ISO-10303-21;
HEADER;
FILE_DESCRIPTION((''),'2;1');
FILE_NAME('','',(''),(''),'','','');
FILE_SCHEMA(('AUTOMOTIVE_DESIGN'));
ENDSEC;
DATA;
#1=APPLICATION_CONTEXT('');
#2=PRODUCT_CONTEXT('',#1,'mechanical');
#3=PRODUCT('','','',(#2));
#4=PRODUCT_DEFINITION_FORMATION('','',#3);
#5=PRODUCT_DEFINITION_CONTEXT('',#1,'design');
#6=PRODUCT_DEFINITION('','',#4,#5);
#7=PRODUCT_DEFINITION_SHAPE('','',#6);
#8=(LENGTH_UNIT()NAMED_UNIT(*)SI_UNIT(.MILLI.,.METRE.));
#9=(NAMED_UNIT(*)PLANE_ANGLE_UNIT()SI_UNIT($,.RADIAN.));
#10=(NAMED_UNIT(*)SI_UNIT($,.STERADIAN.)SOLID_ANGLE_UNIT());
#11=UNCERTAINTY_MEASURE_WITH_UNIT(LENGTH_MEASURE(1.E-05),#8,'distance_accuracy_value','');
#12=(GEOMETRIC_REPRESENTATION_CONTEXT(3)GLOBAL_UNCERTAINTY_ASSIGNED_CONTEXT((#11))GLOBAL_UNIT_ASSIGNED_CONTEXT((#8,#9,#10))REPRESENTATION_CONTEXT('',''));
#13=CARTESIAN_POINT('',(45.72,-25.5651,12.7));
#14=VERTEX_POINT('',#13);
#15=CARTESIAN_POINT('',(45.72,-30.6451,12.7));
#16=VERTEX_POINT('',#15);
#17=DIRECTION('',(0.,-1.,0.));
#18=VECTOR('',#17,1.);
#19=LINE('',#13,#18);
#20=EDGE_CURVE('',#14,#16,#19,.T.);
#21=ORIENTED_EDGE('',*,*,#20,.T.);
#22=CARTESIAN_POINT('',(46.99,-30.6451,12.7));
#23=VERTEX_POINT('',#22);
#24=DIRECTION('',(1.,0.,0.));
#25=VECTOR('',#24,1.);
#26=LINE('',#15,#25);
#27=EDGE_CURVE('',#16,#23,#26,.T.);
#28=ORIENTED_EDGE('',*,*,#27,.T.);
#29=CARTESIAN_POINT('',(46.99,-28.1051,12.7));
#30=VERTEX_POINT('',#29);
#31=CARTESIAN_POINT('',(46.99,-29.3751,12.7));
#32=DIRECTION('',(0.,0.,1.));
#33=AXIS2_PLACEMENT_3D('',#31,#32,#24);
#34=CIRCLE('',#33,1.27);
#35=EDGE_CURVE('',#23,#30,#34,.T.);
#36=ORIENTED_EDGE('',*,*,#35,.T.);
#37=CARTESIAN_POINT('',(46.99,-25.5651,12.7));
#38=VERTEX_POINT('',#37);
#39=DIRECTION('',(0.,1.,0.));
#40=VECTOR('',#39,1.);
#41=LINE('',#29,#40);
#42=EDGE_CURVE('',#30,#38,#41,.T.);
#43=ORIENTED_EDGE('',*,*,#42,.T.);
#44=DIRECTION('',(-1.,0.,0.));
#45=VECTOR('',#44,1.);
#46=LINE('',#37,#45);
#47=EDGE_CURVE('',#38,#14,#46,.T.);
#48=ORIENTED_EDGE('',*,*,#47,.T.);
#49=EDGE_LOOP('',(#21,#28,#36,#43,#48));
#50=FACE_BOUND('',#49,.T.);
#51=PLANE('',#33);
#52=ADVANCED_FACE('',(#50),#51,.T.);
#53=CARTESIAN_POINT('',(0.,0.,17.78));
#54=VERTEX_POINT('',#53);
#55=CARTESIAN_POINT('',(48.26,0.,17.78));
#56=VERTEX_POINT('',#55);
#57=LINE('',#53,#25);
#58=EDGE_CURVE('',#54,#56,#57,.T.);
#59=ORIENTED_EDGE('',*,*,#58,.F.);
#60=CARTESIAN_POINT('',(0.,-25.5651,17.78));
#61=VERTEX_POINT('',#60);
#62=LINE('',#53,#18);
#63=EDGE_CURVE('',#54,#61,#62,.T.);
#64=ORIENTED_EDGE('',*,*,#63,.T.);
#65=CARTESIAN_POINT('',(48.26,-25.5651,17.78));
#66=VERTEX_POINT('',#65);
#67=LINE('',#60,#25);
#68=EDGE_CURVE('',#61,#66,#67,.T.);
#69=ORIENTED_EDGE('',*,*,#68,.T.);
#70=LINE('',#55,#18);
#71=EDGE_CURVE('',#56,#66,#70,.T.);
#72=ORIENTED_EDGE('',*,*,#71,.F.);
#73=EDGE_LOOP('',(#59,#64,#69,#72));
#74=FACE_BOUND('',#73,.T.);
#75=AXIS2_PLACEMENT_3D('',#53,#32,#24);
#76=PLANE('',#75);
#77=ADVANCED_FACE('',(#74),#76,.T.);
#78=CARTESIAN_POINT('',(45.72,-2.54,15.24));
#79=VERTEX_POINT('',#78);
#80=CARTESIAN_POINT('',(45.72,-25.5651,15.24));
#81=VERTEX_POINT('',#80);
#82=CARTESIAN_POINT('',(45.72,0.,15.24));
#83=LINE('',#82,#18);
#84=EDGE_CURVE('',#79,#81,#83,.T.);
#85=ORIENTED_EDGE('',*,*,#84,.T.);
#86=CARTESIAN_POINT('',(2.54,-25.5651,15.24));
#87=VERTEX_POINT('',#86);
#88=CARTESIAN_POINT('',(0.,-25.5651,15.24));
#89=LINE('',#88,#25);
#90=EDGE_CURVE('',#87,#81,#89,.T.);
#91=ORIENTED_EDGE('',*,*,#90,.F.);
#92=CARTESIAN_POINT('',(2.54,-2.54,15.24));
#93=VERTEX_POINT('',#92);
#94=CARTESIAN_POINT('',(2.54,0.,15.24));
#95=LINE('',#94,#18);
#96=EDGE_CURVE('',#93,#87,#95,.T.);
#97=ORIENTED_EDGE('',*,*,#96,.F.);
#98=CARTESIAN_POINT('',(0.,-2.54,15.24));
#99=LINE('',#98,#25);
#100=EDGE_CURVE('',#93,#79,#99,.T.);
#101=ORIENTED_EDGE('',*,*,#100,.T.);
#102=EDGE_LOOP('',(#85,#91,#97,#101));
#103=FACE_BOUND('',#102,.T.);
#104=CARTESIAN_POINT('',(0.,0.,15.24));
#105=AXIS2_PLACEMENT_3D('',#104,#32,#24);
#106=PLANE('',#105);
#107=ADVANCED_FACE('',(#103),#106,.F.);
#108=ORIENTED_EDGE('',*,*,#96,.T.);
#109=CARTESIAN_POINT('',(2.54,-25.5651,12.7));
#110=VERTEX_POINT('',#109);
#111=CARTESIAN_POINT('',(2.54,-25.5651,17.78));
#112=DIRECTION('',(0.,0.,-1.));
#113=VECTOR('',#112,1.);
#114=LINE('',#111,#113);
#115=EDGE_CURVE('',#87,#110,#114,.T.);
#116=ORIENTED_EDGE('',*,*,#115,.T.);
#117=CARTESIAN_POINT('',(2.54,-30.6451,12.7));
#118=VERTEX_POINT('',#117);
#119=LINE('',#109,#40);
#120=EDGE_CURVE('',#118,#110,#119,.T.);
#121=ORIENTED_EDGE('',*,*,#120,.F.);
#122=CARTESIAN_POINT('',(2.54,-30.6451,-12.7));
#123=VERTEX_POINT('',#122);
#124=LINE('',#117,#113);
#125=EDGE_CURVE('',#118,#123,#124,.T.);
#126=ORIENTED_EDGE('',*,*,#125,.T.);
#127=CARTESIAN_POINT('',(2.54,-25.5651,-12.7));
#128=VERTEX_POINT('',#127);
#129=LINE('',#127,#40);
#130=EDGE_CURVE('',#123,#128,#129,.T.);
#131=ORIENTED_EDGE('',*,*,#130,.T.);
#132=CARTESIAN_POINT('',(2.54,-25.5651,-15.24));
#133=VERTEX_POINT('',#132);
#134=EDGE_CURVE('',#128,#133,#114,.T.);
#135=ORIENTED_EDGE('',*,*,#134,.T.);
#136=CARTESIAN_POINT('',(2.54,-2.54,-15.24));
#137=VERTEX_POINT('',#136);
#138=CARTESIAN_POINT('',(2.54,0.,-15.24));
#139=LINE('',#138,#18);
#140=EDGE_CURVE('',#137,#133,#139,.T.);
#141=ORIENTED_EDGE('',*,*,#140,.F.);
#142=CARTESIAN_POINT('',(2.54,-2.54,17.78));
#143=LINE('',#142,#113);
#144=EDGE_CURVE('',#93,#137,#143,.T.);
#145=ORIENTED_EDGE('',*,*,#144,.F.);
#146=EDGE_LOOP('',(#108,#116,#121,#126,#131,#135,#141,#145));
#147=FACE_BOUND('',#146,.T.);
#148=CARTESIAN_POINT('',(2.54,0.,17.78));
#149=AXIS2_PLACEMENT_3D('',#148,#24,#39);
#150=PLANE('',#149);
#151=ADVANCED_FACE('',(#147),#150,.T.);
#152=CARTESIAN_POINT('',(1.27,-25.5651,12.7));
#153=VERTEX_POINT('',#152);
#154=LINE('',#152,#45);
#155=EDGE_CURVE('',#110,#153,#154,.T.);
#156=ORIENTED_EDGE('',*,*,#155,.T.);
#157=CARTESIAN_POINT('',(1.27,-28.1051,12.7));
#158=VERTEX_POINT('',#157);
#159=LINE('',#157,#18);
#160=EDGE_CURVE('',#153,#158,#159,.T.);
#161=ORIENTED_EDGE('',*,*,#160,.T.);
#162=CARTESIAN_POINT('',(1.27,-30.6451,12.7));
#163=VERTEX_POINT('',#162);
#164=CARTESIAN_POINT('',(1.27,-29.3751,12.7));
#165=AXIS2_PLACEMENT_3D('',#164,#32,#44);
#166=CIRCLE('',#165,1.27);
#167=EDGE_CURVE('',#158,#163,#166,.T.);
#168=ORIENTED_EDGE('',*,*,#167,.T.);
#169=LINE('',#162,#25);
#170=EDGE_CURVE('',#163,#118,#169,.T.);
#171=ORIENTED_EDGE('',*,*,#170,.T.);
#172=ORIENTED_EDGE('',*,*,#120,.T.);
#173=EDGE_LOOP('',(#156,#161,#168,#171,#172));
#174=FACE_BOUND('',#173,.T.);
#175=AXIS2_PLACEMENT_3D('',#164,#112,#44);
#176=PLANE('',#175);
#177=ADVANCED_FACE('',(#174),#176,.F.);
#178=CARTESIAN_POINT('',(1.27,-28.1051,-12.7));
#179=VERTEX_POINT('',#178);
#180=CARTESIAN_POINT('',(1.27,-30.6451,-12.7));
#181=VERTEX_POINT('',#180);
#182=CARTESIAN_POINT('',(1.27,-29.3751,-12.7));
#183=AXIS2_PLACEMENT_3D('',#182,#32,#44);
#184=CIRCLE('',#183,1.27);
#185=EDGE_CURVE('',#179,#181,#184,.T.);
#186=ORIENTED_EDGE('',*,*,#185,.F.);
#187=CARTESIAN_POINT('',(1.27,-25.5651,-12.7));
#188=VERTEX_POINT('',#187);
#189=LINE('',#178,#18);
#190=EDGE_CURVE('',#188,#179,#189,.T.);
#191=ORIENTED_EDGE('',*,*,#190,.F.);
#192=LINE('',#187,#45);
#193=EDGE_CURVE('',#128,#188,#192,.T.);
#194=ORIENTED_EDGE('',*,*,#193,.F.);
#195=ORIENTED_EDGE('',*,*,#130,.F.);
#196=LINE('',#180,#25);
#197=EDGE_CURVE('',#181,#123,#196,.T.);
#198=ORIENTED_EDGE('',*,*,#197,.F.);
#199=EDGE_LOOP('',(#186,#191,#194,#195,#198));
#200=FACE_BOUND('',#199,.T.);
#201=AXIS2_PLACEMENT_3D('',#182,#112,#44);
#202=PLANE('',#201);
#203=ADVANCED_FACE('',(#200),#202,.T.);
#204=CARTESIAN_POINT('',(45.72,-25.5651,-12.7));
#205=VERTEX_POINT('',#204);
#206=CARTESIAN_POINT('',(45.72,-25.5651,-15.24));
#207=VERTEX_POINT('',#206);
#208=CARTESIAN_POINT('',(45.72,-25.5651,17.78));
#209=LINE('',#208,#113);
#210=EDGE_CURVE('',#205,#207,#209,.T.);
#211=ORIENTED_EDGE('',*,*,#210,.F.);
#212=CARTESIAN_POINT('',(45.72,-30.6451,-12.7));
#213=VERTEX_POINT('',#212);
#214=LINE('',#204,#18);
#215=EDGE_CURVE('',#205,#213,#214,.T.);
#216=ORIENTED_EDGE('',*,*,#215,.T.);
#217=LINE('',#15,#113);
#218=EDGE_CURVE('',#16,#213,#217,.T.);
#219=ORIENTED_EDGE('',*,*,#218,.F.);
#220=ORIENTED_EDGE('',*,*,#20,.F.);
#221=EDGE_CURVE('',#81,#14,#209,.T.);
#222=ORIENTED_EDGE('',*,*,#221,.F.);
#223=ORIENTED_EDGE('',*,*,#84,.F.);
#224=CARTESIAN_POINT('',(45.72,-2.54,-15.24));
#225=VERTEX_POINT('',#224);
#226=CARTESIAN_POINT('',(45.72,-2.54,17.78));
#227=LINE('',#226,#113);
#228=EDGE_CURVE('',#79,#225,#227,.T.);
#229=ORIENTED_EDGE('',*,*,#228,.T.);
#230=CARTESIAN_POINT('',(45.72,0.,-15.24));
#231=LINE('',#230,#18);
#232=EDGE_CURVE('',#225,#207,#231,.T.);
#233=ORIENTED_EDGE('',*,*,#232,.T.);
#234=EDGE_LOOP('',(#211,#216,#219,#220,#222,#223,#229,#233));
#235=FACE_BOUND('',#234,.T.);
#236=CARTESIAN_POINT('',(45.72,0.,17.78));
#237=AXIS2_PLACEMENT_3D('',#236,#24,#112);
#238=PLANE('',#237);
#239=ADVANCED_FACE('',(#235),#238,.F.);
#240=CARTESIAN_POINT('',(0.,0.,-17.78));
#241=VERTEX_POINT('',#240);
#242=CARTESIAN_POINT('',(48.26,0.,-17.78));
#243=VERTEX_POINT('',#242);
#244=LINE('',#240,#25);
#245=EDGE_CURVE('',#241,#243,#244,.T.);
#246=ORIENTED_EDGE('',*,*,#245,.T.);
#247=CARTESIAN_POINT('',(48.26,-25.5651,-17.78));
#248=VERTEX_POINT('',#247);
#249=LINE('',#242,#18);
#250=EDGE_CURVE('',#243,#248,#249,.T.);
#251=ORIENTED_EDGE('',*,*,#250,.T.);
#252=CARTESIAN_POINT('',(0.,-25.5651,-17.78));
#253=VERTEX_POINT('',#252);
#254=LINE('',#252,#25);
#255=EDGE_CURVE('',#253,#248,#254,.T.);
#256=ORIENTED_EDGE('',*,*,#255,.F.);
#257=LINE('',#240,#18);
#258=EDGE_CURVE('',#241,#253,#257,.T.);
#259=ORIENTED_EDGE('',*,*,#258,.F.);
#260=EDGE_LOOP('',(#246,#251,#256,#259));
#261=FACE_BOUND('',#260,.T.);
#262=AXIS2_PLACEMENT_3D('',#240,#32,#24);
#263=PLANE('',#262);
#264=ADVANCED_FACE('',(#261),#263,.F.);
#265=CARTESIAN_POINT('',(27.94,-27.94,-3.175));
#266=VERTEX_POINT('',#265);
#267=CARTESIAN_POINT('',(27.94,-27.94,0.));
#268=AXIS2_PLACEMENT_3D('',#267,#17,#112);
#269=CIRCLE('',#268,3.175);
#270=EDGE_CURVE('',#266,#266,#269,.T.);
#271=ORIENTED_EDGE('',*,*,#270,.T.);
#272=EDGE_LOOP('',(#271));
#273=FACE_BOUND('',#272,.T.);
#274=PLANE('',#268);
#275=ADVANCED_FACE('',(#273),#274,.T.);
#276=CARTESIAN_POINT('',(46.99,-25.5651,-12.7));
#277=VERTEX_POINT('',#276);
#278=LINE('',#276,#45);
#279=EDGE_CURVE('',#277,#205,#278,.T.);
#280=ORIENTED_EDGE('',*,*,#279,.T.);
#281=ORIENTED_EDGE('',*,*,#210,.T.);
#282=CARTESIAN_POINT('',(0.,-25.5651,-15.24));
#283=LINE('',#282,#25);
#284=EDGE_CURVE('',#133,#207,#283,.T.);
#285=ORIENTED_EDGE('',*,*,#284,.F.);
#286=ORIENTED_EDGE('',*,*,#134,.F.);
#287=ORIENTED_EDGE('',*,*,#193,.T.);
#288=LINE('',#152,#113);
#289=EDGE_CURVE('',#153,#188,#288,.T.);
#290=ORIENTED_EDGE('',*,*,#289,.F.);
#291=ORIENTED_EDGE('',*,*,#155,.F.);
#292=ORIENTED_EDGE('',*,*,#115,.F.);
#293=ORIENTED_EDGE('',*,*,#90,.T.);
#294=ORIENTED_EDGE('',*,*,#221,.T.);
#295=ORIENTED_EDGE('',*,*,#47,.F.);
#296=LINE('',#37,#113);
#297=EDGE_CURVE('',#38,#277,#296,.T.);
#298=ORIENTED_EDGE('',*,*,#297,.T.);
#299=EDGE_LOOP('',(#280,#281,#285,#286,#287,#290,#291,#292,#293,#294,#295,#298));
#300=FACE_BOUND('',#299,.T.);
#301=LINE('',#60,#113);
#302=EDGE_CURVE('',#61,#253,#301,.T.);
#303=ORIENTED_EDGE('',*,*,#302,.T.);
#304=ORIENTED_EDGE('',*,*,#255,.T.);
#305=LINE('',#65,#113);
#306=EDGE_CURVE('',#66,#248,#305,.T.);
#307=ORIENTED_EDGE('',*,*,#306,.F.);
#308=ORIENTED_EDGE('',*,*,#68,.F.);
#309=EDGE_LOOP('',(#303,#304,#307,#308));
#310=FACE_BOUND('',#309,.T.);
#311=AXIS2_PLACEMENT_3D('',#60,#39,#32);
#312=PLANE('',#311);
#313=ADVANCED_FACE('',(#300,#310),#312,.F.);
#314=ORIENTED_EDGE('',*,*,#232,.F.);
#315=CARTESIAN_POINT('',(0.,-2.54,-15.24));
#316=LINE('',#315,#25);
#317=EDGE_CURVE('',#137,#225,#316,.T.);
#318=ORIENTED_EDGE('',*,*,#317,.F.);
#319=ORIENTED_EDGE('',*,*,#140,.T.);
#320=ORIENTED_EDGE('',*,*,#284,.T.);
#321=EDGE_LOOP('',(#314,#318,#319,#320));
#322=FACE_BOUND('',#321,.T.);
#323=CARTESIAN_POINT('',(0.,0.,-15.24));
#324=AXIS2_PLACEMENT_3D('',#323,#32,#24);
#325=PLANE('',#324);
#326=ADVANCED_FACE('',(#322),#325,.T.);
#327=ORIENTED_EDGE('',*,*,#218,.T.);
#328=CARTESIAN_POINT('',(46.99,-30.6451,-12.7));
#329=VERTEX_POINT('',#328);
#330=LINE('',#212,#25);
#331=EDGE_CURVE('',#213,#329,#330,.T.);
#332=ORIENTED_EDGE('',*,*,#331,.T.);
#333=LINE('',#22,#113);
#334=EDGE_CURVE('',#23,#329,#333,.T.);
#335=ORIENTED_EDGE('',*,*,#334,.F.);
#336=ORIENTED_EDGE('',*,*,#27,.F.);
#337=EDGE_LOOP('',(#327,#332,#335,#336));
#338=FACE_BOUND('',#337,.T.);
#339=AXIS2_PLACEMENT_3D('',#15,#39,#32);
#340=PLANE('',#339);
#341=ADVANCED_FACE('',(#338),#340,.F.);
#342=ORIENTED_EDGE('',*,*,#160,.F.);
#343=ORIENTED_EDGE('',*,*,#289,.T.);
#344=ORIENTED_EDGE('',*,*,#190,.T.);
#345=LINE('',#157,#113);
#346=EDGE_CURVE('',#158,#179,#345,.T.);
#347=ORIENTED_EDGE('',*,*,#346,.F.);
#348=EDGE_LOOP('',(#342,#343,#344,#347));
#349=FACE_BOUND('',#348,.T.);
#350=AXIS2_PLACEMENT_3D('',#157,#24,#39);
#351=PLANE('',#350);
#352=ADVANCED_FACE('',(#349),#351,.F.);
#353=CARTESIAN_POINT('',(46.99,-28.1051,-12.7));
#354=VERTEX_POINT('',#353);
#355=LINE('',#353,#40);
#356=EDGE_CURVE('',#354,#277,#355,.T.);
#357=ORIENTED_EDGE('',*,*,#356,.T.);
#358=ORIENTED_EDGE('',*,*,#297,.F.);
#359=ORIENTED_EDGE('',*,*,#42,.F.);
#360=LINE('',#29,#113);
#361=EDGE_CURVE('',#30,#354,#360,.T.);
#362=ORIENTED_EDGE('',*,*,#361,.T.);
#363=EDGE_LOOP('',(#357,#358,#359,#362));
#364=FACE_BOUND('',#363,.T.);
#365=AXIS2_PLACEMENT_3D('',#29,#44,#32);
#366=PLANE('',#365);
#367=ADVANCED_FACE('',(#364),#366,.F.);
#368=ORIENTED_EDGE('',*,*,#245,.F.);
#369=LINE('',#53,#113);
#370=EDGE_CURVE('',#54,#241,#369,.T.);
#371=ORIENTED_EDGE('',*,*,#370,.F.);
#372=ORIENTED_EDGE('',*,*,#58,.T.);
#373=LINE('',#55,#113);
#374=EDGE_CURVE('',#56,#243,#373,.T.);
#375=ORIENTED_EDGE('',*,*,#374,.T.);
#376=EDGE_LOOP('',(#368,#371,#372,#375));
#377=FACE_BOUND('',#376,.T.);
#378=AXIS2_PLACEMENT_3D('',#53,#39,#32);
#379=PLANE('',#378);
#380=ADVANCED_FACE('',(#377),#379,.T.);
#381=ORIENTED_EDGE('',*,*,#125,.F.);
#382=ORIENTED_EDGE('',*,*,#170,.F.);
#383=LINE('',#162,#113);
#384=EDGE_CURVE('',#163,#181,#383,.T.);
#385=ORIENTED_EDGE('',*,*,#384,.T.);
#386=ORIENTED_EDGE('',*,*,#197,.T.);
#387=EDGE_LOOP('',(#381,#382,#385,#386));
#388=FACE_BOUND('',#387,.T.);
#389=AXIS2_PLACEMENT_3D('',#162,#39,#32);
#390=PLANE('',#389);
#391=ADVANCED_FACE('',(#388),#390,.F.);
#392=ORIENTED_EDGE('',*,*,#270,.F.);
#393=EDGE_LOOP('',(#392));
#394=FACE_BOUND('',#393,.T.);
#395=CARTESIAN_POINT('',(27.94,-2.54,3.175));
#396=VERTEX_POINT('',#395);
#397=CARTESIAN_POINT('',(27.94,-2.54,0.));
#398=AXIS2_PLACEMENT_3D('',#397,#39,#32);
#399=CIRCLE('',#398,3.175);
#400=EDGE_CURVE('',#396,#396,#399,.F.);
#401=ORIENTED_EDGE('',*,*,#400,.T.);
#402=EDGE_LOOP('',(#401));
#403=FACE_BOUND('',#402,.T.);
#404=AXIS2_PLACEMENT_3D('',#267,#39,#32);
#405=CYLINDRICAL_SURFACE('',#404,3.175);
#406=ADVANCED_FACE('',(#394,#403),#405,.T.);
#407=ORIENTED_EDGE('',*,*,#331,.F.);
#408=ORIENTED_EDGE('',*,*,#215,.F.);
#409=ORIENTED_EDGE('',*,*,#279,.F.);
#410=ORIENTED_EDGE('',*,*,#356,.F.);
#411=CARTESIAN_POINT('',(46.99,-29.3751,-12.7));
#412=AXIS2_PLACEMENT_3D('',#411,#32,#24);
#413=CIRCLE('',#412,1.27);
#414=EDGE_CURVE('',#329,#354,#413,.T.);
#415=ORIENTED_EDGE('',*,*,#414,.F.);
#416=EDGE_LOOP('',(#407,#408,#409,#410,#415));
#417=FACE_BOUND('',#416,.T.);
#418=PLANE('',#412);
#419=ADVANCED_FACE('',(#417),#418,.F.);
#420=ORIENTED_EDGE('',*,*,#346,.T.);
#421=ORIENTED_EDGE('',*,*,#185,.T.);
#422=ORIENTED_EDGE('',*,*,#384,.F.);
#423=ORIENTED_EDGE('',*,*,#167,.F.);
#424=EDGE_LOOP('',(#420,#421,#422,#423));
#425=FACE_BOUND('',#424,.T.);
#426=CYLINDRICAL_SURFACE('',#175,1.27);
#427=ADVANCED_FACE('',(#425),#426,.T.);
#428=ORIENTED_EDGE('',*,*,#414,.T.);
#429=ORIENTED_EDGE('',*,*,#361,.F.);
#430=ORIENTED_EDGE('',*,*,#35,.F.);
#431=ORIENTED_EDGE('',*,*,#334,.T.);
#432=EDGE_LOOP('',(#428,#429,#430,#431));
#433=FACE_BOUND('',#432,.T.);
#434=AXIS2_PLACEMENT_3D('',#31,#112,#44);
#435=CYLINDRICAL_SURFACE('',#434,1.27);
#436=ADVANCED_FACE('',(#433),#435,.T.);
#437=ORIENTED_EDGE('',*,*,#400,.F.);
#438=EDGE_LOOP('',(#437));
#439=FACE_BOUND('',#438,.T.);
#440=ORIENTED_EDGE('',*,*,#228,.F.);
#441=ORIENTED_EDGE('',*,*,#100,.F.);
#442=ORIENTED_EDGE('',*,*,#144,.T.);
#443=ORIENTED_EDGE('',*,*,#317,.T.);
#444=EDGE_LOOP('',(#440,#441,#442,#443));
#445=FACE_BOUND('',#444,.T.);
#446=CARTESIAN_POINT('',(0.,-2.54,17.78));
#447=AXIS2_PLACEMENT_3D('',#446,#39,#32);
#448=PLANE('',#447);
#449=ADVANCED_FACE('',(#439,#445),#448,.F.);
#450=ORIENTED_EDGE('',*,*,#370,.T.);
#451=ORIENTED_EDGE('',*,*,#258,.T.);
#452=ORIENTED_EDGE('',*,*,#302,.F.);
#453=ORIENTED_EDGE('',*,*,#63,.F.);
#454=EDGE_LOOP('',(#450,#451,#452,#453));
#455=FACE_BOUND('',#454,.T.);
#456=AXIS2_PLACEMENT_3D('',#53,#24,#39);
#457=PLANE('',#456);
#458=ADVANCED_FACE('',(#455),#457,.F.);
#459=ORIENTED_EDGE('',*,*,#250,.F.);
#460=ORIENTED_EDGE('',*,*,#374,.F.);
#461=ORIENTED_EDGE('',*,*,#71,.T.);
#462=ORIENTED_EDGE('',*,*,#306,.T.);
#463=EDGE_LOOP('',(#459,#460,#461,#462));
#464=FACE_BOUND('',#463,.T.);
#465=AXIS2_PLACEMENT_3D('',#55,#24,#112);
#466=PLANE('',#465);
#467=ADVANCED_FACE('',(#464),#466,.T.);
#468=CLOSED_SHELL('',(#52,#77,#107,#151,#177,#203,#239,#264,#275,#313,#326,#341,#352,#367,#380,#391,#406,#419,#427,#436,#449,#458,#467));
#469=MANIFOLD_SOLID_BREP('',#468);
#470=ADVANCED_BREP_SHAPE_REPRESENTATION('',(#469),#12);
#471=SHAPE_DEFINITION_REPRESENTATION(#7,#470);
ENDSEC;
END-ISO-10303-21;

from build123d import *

# Parameters (mm, degrees)
SKETCH1_W           = 48.26
SKETCH1_H           = 25.5651
BOSS_EXTRUDE1_DEPTH = 17.78
SHELL1_T            = -2.54
SKETCH2_R           = 3.175
BOSS_EXTRUDE2_DEPTH = 25.4
BOSS_EXTRUDE3_DEPTH = 12.7


with BuildPart() as part:
    # Sketch1 → Boss-Extrude1 (new, symmetric)
    with BuildSketch(Plane.XY):
        with Locations((24.13, -12.78255)):
            Rectangle(SKETCH1_W, SKETCH1_H)
    extrude(amount=BOSS_EXTRUDE1_DEPTH, both=True)

    # Shell1
    shell1_openings = [part.faces().sort_by_distance(p)[0] for p in [
        (24.13, -25.5651, 0),
    ]]
    offset(amount=SHELL1_T, openings=shell1_openings, kind=Kind.INTERSECTION)

    # Sketch2 → Boss-Extrude2 (add)
    with BuildSketch(Plane.XZ.offset(2.54)):
        with Locations(Location((27.94, 0, 0), (0, 0, 90))):
            Circle(SKETCH2_R)
    extrude(amount=BOSS_EXTRUDE2_DEPTH)

    # Sketch3 → Boss-Extrude3 (add, symmetric)
    with BuildSketch(Plane.XY):
        with BuildLine():
            Line((1.27, -25.5651), (2.54, -25.5651))
            Line((2.54, -25.5651), (2.54, -30.6451))
            Line((2.54, -30.6451), (1.27, -30.6451))
            ThreePointArc((1.27, -30.6451), (0, -29.3751), (1.27, -28.1051))
            Line((1.27, -28.1051), (1.27, -25.5651))
        make_face()
        with BuildLine():
            Line((45.72, -25.5651), (45.72, -30.6451))
            Line((45.72, -30.6451), (46.99, -30.6451))
            ThreePointArc((46.99, -30.6451), (48.26, -29.3751), (46.99, -28.1051))
            Line((46.99, -28.1051), (46.99, -25.5651))
            Line((46.99, -25.5651), (45.72, -25.5651))
        make_face()
    extrude(amount=BOSS_EXTRUDE3_DEPTH, both=True)


solid = part.part
